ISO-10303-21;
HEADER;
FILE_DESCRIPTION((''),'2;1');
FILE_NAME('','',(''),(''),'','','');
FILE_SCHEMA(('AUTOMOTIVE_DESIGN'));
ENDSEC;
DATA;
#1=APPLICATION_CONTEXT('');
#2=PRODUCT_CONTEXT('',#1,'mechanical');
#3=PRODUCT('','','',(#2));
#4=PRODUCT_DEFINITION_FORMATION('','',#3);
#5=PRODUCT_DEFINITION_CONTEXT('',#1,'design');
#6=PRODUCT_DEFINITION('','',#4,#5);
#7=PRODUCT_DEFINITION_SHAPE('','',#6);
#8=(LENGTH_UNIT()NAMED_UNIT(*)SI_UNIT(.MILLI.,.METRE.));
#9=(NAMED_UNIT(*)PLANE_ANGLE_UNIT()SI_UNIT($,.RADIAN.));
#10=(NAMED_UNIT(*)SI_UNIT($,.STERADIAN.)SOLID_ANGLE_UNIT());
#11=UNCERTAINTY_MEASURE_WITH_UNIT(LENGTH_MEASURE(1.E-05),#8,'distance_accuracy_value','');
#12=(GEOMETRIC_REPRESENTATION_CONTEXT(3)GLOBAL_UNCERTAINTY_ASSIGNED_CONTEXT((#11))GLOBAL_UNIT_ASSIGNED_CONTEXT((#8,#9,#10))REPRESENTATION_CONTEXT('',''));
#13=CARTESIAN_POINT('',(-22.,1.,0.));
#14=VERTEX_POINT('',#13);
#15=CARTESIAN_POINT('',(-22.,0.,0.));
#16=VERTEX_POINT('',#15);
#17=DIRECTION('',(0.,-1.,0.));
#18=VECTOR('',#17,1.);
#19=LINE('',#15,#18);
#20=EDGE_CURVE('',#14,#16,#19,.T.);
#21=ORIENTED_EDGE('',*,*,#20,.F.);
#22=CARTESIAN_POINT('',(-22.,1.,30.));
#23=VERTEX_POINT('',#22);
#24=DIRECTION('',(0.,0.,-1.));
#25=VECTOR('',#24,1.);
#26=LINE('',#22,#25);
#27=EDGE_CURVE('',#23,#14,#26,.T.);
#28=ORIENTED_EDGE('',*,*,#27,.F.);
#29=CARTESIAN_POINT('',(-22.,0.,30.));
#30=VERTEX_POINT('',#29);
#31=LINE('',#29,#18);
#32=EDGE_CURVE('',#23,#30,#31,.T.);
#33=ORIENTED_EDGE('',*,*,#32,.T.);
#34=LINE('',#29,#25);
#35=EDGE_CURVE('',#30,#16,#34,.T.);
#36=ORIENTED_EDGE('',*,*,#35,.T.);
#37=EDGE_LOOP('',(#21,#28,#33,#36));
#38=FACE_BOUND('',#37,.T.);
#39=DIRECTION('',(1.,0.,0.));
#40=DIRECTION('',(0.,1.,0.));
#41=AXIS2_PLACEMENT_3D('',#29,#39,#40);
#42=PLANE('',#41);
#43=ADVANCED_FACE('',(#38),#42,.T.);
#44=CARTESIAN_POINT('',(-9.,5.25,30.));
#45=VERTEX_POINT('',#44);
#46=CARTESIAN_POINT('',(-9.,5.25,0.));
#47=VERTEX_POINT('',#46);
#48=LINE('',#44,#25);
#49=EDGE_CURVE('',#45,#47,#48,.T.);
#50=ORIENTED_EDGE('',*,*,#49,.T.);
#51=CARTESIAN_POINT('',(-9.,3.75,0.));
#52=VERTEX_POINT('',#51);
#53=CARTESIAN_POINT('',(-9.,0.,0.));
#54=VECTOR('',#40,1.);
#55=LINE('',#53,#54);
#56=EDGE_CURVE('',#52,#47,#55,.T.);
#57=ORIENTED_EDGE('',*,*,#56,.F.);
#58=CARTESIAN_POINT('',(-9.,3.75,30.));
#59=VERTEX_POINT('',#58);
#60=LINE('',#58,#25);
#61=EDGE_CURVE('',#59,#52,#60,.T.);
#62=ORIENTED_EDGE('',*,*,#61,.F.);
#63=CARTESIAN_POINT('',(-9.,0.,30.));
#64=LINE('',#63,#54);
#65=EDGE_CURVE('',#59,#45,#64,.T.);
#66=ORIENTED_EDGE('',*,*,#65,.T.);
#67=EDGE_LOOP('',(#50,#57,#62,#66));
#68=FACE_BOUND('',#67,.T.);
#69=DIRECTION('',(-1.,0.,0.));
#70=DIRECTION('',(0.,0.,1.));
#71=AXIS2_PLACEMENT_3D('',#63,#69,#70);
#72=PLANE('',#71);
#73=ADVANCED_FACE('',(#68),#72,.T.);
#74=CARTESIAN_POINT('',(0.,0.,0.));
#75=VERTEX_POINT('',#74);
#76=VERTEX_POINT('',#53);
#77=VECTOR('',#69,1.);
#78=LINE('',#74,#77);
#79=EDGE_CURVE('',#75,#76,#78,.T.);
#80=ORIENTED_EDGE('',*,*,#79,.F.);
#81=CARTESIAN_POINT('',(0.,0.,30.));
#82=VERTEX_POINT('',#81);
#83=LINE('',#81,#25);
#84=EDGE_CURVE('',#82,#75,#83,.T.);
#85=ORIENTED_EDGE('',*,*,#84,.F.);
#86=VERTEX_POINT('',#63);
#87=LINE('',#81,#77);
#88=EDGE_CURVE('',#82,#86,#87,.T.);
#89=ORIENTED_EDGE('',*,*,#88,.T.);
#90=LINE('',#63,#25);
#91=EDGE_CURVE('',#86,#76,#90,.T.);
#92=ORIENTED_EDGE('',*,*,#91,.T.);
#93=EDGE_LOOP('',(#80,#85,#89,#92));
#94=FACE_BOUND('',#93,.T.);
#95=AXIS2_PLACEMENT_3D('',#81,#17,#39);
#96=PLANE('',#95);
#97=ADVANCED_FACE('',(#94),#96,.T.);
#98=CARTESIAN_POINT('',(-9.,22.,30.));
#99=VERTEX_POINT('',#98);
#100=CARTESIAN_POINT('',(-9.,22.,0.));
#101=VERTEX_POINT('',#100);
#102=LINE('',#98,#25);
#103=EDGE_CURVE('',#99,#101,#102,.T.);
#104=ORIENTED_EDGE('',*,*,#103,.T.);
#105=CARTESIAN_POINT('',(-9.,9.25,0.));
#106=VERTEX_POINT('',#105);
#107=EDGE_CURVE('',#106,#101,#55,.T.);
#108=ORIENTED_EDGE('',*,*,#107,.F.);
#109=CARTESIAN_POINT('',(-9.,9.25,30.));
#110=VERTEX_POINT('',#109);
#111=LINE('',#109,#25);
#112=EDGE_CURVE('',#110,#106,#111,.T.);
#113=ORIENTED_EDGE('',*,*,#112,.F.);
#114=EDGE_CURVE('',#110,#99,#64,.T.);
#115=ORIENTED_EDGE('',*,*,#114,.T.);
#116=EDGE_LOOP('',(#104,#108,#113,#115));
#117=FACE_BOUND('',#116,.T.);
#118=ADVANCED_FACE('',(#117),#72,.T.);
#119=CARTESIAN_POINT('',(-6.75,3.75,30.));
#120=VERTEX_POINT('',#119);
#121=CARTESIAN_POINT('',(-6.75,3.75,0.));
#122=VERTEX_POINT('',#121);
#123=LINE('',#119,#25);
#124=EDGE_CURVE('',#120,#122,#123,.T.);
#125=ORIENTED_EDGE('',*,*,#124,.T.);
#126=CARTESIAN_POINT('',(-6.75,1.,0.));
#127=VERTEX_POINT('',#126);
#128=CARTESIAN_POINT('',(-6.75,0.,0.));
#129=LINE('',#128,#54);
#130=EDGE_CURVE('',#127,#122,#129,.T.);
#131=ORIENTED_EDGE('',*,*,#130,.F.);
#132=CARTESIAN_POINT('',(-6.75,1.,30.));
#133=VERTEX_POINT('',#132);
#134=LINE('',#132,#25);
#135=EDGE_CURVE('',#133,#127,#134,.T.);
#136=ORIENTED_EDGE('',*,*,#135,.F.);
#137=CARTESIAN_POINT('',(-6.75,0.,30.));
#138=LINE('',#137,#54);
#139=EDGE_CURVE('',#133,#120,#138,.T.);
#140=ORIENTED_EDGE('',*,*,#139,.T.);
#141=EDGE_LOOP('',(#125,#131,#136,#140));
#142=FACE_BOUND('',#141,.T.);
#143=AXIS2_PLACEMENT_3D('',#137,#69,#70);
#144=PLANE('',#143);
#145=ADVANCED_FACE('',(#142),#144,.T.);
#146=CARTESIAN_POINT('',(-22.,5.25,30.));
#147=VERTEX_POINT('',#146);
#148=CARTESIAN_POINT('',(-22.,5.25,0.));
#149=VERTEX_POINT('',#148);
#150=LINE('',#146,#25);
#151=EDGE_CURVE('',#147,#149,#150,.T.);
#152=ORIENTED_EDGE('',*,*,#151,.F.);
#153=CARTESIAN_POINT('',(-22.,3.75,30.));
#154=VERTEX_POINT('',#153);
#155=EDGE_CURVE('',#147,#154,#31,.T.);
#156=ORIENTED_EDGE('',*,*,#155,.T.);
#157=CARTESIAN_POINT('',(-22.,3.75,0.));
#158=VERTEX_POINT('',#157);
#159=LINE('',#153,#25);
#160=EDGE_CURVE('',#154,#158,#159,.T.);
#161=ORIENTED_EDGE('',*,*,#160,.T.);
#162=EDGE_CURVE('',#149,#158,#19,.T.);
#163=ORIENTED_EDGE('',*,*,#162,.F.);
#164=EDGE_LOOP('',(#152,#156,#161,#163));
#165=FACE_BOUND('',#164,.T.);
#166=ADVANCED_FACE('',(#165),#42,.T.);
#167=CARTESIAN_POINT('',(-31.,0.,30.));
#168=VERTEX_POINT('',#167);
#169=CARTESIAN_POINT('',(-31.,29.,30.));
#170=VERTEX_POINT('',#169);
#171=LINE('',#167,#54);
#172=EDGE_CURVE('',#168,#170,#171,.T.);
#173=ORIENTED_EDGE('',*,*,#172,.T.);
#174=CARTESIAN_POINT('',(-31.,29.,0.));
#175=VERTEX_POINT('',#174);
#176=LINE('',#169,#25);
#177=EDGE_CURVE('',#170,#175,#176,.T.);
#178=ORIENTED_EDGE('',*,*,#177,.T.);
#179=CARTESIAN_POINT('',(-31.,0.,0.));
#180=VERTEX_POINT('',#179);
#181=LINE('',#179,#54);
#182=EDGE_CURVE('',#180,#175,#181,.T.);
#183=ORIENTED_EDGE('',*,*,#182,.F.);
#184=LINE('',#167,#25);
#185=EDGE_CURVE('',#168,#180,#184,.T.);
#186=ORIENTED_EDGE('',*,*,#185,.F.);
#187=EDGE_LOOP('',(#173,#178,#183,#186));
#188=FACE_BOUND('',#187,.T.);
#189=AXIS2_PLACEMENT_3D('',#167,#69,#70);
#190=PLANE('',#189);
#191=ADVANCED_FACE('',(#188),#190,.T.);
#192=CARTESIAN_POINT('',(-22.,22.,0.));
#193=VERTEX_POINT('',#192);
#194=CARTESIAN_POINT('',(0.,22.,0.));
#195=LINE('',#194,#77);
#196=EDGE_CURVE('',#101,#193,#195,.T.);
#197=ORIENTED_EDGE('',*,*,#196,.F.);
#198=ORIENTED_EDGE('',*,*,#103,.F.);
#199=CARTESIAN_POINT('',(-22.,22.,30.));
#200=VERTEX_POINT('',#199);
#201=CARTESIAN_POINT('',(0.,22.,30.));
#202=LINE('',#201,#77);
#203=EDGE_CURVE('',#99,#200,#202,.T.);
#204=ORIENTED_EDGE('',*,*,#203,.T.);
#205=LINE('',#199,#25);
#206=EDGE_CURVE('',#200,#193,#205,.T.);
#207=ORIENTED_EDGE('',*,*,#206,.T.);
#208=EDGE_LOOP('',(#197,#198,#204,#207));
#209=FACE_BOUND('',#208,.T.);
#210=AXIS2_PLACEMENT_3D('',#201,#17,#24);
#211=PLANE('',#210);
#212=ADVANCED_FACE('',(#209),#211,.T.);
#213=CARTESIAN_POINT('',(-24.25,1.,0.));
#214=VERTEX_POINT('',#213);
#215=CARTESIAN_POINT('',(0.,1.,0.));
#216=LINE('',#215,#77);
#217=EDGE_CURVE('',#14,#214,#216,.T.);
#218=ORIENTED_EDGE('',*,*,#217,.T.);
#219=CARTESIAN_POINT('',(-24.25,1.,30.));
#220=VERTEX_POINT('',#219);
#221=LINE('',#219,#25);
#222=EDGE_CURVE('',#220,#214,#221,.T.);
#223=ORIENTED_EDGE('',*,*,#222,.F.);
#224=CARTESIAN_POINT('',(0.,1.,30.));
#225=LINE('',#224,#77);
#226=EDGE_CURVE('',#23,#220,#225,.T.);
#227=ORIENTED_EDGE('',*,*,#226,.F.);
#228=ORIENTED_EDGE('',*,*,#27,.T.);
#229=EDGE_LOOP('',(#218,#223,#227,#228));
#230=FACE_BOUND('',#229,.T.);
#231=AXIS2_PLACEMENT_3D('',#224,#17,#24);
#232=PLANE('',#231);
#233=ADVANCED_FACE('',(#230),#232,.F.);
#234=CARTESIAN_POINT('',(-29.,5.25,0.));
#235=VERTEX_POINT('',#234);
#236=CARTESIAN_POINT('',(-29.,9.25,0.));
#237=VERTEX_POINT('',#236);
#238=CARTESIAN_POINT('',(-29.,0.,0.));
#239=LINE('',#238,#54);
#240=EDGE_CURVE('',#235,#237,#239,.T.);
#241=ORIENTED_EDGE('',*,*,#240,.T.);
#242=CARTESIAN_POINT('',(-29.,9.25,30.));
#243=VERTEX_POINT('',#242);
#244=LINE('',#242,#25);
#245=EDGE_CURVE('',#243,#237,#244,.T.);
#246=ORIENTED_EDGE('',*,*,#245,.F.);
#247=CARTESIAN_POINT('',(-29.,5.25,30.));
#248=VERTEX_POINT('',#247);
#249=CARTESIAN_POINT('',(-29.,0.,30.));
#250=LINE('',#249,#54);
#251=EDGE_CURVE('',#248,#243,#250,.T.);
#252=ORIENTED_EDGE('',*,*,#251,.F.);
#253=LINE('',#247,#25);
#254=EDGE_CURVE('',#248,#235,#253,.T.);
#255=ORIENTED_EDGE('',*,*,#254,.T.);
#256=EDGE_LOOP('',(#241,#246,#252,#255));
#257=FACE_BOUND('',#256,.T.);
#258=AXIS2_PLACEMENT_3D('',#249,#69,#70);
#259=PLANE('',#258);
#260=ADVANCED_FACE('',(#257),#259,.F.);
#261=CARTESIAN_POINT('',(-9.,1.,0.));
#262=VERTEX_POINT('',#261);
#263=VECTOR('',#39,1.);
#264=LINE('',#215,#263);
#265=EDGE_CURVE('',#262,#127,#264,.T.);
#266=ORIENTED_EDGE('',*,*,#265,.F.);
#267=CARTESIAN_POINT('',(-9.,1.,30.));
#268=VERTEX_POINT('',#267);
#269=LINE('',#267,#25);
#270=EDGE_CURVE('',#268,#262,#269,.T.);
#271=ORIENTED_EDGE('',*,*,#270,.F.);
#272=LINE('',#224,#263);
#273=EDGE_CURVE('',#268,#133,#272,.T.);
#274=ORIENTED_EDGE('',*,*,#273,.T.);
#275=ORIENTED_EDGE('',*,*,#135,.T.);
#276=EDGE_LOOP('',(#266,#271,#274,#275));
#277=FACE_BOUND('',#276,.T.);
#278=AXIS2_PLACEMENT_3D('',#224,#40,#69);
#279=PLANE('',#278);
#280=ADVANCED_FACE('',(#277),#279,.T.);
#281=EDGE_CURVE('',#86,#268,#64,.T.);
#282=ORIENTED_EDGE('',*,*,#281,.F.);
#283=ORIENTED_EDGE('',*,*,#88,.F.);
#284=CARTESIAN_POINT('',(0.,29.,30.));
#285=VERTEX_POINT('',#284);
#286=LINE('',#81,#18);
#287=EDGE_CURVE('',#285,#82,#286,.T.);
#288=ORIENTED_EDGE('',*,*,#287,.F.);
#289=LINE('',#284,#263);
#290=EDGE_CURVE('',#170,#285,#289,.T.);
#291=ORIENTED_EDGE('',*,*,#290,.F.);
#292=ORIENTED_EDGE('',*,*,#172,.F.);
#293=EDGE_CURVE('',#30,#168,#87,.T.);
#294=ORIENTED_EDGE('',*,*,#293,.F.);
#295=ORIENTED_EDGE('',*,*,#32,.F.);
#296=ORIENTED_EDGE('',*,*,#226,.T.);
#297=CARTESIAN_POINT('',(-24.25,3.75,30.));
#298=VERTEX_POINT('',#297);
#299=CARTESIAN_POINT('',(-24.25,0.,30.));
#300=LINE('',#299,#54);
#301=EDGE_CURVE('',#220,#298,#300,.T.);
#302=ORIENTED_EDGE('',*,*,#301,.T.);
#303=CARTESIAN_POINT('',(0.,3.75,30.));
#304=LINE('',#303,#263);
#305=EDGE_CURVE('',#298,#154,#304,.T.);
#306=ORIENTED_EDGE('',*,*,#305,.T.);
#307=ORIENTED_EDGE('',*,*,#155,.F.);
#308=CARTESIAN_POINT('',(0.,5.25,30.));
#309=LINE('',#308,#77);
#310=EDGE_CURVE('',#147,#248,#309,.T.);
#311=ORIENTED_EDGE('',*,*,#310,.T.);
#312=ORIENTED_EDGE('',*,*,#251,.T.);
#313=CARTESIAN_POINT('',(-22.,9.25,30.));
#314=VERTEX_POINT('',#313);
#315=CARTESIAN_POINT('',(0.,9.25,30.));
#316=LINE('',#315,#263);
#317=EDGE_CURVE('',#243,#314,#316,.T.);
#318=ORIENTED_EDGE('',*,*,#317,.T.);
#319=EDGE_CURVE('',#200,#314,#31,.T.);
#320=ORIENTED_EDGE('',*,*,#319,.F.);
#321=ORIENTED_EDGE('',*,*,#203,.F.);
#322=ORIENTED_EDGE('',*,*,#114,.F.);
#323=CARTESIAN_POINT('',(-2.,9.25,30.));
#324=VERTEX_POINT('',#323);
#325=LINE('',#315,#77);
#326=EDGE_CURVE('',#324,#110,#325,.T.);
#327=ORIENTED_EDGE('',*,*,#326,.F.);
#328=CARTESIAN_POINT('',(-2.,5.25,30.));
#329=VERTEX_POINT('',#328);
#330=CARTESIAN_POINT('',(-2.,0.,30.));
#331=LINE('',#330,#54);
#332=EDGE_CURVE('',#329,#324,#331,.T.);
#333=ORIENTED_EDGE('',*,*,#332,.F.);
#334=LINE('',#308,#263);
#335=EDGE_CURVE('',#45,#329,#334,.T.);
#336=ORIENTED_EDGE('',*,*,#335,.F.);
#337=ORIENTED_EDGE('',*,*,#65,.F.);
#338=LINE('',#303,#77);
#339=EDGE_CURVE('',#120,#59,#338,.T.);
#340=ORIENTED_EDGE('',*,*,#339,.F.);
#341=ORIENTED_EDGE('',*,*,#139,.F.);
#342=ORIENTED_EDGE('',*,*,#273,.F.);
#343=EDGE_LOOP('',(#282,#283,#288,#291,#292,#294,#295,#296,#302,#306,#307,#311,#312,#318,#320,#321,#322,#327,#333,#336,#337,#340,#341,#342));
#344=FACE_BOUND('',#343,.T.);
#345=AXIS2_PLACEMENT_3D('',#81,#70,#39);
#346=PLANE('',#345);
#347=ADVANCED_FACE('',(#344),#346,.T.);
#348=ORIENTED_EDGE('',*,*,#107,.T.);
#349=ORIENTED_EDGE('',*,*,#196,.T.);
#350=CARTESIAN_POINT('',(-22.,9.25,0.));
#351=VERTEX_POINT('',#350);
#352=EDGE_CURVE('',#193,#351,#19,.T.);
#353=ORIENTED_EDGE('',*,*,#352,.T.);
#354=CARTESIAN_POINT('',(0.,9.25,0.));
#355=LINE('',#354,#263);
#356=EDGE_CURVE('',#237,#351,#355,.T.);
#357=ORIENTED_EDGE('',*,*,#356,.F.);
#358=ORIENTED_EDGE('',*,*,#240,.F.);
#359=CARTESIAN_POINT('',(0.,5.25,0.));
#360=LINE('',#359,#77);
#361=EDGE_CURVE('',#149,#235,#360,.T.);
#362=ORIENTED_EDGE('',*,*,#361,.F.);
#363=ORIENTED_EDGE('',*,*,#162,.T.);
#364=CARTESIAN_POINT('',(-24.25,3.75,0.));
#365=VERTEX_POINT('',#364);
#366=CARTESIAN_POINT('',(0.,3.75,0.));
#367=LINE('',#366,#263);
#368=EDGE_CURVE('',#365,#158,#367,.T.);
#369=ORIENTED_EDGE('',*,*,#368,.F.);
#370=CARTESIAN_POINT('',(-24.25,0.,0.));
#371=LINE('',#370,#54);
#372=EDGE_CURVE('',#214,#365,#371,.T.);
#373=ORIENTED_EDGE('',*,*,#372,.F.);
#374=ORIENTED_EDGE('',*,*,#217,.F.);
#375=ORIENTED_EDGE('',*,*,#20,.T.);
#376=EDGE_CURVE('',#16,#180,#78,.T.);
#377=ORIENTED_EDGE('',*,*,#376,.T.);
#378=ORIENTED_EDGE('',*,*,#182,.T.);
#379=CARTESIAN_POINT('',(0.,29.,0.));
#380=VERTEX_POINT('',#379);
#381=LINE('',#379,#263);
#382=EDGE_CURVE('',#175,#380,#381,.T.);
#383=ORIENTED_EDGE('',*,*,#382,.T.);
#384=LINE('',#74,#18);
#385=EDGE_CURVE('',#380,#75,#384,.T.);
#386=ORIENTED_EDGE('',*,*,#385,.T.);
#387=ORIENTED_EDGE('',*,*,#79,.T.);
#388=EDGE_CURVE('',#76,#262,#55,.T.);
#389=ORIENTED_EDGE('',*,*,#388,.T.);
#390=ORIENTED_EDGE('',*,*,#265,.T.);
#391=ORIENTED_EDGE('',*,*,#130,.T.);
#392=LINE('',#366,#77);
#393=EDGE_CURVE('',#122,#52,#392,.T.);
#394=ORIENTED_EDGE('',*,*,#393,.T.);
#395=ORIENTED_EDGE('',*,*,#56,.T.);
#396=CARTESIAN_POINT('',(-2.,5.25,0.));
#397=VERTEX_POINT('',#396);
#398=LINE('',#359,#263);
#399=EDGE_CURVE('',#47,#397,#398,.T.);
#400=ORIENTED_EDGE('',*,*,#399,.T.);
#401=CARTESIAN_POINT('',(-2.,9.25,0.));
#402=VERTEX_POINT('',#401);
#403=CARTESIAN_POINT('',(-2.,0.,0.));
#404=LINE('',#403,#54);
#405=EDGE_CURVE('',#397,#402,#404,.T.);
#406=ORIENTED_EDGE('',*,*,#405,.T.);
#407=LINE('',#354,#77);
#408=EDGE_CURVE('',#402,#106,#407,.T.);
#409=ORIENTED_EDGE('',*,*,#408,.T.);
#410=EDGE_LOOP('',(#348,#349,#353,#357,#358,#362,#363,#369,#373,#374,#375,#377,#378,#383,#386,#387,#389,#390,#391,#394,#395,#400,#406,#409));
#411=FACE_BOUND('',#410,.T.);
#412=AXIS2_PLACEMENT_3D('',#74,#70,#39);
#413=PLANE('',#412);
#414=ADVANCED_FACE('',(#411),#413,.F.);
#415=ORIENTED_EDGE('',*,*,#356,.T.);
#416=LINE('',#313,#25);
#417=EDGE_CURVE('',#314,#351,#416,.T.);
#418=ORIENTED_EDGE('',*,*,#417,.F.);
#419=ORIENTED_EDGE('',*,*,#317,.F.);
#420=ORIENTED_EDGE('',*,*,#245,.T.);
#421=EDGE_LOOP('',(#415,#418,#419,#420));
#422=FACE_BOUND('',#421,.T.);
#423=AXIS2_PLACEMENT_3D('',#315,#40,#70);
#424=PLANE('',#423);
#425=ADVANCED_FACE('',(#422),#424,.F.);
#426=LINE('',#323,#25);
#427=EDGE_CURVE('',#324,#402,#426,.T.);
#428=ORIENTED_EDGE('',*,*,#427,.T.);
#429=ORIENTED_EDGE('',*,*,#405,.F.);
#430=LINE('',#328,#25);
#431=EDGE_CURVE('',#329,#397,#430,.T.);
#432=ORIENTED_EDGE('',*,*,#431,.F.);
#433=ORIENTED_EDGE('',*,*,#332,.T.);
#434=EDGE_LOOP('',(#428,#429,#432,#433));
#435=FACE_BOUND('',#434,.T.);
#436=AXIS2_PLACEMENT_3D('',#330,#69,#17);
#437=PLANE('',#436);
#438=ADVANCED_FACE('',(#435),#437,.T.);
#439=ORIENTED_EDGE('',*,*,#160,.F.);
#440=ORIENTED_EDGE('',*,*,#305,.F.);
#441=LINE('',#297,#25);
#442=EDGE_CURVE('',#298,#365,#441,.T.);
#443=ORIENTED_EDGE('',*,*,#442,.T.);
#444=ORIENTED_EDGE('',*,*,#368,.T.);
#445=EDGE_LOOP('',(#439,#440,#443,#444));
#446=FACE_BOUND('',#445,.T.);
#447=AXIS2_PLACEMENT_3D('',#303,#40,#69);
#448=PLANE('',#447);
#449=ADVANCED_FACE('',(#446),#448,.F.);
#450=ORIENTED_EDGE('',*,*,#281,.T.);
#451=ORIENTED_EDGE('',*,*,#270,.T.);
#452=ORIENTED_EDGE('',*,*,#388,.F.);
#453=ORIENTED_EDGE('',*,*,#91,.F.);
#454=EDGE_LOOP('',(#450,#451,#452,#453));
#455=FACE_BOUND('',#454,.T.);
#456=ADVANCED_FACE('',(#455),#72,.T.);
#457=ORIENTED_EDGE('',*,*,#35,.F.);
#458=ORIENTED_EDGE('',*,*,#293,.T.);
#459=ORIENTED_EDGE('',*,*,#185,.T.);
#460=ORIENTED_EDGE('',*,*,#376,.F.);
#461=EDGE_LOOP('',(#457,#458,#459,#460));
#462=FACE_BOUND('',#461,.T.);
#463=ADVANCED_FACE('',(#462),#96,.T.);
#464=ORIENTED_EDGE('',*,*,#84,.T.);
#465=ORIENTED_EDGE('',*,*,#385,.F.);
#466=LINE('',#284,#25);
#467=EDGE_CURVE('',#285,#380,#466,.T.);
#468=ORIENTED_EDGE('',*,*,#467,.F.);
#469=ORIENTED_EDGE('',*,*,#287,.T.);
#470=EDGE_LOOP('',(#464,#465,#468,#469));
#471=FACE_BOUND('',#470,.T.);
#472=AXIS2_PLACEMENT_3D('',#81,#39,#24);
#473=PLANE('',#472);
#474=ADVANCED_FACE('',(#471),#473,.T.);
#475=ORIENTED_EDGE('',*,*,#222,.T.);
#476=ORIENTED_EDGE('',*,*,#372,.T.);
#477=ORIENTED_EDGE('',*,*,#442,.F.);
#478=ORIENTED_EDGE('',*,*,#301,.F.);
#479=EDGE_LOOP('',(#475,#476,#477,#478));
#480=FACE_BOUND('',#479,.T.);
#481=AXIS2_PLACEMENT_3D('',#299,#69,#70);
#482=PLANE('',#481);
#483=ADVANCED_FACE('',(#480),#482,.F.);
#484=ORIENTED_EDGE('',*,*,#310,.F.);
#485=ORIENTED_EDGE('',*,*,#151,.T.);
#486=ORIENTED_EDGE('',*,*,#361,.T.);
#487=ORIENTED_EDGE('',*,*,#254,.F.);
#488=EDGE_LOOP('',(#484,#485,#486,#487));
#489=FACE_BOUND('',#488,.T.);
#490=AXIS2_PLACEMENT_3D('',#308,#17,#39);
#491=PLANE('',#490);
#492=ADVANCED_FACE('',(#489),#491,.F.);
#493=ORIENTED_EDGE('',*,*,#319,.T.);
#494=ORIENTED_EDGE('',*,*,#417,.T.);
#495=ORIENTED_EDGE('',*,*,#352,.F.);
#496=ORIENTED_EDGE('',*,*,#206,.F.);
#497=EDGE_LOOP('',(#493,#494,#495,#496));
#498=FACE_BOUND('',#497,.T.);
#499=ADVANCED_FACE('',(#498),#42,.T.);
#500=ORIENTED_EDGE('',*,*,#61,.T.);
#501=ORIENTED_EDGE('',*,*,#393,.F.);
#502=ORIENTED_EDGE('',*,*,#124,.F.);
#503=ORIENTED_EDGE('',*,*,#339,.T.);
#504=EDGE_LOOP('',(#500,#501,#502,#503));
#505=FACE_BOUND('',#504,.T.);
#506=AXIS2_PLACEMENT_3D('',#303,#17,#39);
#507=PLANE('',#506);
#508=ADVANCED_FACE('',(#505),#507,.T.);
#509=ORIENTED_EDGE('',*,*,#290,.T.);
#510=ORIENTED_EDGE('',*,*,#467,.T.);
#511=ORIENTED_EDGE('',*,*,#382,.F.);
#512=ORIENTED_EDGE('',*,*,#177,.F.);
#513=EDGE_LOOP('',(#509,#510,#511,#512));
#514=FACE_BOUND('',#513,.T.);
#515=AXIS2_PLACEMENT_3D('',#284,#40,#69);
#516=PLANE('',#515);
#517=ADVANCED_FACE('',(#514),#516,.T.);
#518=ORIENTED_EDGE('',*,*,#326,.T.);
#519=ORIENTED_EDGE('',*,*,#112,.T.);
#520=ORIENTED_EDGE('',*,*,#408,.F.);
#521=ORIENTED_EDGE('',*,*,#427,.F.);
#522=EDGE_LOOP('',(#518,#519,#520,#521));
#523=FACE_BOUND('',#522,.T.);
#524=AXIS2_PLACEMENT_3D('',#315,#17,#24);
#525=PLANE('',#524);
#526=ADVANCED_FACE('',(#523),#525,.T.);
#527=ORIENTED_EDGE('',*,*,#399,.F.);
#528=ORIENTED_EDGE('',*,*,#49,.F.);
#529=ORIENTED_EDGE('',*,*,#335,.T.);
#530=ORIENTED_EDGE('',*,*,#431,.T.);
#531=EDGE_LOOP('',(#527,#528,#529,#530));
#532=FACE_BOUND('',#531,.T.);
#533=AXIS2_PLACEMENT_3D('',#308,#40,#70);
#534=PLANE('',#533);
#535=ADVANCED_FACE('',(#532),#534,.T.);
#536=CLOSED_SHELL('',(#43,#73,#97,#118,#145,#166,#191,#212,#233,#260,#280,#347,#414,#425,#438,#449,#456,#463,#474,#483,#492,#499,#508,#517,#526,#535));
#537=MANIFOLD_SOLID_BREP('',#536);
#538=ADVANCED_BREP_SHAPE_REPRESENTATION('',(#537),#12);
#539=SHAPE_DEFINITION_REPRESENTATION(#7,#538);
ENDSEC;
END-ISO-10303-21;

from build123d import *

# Parameters (mm, degrees)
BOSS_EXTRUDE2_DEPTH = 30


with BuildPart() as part:
    # Sketch1 → Boss-Extrude2 (new body)
    with BuildSketch(Plane.XY):
        Polygon((-31, 29), (-31, 0), (-22, 0), (-22, 1), (-24.25, 1), (-24.25, 3.75), (-22, 3.75), (-22, 5.25), (-29, 5.25), (-29, 9.25), (-22, 9.25), (-22, 22), (-9, 22), (-9, 9.25), (-2, 9.25), (-2, 5.25), (-9, 5.25), (-9, 3.75), (-6.75, 3.75), (-6.75, 1), (-9, 1), (-9, 0), (0, 0), (0, 29), align=None)
    extrude(amount=BOSS_EXTRUDE2_DEPTH)


solid = part.part
